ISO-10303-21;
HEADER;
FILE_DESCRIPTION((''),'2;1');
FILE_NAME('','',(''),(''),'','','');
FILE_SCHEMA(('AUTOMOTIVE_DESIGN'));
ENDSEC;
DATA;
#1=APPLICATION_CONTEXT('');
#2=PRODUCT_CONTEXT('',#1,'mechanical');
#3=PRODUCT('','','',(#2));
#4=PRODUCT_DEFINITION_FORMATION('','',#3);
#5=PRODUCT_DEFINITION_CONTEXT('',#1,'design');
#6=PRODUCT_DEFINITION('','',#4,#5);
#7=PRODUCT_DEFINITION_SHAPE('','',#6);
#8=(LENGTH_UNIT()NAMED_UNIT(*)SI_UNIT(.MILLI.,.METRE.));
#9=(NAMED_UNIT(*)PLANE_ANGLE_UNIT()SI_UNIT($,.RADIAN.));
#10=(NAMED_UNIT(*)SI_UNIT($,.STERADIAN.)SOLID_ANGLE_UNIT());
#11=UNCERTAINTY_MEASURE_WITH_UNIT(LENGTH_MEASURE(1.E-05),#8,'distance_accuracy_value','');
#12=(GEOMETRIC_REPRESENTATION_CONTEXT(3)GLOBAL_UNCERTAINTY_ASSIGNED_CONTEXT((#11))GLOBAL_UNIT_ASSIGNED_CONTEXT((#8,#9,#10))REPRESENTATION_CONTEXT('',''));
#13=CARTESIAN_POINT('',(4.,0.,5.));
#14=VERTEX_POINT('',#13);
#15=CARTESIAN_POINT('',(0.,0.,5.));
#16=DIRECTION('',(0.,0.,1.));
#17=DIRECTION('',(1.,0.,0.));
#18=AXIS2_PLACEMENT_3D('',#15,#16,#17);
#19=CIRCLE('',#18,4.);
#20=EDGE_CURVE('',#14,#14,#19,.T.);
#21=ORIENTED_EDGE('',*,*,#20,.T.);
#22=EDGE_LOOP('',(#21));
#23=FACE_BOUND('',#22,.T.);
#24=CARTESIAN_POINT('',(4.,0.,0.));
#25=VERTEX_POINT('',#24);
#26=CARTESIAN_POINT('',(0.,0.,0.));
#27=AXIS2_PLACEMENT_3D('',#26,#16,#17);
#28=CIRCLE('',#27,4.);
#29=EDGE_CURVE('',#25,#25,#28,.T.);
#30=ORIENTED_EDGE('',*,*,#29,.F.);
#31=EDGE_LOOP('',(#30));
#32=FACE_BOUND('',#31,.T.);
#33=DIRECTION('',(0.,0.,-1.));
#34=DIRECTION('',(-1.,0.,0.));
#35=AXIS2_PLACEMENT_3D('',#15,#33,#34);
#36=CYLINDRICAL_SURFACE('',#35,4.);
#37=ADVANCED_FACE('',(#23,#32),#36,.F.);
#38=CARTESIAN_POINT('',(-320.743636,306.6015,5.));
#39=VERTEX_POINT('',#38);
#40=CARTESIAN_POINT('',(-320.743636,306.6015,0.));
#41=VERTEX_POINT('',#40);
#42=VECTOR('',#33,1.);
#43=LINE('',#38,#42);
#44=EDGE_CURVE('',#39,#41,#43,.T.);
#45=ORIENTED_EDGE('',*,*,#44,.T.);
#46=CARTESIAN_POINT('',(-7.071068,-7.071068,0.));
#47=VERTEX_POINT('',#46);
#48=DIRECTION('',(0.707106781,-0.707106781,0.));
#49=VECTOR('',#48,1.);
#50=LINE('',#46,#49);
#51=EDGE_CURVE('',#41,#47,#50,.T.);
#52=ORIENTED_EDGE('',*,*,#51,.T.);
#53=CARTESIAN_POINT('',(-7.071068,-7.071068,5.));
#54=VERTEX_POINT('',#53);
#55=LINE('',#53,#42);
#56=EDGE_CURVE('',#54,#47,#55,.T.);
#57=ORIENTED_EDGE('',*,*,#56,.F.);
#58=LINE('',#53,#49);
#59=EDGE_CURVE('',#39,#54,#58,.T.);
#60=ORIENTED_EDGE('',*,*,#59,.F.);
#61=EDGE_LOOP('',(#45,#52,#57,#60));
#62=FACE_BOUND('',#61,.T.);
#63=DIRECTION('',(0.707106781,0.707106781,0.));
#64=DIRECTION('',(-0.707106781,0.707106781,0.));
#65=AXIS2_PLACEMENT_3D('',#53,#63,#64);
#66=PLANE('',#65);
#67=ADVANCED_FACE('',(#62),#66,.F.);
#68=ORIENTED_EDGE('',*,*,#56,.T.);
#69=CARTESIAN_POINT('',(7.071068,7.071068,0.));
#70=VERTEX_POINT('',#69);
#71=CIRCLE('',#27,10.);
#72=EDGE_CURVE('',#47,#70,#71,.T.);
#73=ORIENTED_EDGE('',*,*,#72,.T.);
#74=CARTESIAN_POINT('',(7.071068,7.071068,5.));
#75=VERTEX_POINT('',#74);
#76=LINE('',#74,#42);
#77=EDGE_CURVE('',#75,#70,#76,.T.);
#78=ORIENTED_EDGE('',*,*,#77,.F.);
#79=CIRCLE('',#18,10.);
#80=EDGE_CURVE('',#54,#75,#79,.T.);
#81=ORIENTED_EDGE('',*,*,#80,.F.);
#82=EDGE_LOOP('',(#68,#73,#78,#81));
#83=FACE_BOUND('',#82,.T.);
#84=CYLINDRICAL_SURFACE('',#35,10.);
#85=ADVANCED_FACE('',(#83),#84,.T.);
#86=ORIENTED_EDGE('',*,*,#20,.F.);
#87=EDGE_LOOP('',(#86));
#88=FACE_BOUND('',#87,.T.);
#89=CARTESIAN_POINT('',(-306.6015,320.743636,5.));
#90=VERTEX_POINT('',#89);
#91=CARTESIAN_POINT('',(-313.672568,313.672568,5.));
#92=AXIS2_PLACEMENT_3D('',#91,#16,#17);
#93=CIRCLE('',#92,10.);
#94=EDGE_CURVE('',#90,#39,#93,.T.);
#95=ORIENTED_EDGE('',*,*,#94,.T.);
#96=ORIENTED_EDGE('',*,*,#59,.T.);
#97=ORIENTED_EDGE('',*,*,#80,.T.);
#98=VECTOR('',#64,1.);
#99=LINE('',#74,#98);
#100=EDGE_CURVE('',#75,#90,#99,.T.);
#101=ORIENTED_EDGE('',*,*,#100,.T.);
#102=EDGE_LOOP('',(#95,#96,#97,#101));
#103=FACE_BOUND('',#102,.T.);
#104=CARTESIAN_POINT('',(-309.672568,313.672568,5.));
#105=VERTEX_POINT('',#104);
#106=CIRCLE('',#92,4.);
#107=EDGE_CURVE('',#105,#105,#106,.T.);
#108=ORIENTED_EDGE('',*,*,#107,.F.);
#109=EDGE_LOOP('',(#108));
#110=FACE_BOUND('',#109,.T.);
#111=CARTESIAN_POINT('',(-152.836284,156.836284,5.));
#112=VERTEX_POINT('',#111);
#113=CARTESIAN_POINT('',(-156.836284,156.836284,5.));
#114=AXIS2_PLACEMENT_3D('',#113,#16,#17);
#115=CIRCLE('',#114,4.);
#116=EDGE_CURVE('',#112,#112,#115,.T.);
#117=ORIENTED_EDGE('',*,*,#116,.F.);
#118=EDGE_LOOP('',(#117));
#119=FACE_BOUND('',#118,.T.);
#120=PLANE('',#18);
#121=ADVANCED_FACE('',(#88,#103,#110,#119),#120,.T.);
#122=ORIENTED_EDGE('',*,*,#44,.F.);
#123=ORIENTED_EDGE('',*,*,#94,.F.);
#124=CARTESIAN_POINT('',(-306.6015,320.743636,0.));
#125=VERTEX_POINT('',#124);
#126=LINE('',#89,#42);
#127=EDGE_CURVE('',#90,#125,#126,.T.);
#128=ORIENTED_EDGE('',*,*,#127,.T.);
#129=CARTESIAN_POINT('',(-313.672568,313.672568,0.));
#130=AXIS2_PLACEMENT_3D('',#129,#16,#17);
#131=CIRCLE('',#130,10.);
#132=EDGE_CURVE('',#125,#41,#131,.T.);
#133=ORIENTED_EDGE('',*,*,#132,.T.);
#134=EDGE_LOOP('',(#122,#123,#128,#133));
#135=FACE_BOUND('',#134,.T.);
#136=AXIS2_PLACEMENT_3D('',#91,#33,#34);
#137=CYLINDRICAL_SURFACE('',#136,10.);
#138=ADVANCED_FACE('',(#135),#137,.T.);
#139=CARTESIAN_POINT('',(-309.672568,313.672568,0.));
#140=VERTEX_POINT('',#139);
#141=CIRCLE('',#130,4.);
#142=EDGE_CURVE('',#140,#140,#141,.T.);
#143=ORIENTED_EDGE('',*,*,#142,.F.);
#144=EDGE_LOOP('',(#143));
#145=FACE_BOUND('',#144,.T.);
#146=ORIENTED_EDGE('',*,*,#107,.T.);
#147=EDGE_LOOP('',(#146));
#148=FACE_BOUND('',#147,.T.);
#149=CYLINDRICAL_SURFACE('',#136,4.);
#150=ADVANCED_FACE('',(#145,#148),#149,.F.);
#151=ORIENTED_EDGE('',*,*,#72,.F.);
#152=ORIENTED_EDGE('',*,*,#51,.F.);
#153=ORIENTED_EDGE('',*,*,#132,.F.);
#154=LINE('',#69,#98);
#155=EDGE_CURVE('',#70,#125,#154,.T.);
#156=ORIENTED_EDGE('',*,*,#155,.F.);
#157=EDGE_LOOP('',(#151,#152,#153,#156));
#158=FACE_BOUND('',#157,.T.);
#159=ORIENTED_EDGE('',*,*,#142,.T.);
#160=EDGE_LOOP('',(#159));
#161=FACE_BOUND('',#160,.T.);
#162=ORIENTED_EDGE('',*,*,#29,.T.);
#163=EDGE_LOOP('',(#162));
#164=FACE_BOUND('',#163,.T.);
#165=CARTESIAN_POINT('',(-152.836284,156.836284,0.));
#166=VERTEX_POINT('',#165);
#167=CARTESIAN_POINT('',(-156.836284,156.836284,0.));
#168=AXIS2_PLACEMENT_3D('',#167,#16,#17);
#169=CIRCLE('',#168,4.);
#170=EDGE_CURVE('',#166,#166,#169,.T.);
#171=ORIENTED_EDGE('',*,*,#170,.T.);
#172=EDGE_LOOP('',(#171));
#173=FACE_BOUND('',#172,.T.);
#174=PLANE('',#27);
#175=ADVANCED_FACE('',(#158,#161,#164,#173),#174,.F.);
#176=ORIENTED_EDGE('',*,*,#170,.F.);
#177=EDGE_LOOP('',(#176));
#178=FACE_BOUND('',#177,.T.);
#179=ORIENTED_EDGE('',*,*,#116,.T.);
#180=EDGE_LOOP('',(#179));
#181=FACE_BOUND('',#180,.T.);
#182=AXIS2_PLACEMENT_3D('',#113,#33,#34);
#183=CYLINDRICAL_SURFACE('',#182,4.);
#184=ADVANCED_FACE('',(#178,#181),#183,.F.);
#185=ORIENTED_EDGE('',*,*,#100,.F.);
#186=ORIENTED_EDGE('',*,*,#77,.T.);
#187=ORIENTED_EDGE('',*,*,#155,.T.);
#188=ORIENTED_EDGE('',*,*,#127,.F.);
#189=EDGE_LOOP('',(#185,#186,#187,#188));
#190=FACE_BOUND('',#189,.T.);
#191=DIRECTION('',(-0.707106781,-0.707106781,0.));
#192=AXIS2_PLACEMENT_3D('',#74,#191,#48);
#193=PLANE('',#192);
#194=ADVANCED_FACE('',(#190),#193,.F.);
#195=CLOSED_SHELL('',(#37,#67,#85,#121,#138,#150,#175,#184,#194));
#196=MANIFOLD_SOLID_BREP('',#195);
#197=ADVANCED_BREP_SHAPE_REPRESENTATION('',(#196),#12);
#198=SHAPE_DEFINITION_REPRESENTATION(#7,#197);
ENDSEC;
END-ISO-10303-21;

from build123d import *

# Parameters (mm, degrees)
CROQUIS2_R              = 4
SALIENTE_EXTRUIR1_DEPTH = 5


with BuildPart() as part:
    # Croquis2 → Saliente-Extruir1 (new body)
    with BuildSketch(Plane.XY):
        with BuildLine():
            Line((-7.071067812, -7.071067812), (-320.743635946, 306.601500322))
            ThreePointArc((-320.743635946, 306.601500322), (-320.743635946, 320.743635946), (-306.601500322, 320.743635946))
            Line((-306.601500322, 320.743635946), (7.071067812, 7.071067812))
            ThreePointArc((7.071067812, 7.071067812), (7.071067812, -7.071067812), (-7.071067812, -7.071067812))
        make_face()
        with Locations((-313.672568134, 313.672568134)):
            Circle(CROQUIS2_R, mode=Mode.SUBTRACT)
        Circle(CROQUIS2_R, mode=Mode.SUBTRACT)
        with Locations((-156.836284067, 156.836284067)):
            Circle(CROQUIS2_R, mode=Mode.SUBTRACT)
    extrude(amount=SALIENTE_EXTRUIR1_DEPTH)


solid = part.part
